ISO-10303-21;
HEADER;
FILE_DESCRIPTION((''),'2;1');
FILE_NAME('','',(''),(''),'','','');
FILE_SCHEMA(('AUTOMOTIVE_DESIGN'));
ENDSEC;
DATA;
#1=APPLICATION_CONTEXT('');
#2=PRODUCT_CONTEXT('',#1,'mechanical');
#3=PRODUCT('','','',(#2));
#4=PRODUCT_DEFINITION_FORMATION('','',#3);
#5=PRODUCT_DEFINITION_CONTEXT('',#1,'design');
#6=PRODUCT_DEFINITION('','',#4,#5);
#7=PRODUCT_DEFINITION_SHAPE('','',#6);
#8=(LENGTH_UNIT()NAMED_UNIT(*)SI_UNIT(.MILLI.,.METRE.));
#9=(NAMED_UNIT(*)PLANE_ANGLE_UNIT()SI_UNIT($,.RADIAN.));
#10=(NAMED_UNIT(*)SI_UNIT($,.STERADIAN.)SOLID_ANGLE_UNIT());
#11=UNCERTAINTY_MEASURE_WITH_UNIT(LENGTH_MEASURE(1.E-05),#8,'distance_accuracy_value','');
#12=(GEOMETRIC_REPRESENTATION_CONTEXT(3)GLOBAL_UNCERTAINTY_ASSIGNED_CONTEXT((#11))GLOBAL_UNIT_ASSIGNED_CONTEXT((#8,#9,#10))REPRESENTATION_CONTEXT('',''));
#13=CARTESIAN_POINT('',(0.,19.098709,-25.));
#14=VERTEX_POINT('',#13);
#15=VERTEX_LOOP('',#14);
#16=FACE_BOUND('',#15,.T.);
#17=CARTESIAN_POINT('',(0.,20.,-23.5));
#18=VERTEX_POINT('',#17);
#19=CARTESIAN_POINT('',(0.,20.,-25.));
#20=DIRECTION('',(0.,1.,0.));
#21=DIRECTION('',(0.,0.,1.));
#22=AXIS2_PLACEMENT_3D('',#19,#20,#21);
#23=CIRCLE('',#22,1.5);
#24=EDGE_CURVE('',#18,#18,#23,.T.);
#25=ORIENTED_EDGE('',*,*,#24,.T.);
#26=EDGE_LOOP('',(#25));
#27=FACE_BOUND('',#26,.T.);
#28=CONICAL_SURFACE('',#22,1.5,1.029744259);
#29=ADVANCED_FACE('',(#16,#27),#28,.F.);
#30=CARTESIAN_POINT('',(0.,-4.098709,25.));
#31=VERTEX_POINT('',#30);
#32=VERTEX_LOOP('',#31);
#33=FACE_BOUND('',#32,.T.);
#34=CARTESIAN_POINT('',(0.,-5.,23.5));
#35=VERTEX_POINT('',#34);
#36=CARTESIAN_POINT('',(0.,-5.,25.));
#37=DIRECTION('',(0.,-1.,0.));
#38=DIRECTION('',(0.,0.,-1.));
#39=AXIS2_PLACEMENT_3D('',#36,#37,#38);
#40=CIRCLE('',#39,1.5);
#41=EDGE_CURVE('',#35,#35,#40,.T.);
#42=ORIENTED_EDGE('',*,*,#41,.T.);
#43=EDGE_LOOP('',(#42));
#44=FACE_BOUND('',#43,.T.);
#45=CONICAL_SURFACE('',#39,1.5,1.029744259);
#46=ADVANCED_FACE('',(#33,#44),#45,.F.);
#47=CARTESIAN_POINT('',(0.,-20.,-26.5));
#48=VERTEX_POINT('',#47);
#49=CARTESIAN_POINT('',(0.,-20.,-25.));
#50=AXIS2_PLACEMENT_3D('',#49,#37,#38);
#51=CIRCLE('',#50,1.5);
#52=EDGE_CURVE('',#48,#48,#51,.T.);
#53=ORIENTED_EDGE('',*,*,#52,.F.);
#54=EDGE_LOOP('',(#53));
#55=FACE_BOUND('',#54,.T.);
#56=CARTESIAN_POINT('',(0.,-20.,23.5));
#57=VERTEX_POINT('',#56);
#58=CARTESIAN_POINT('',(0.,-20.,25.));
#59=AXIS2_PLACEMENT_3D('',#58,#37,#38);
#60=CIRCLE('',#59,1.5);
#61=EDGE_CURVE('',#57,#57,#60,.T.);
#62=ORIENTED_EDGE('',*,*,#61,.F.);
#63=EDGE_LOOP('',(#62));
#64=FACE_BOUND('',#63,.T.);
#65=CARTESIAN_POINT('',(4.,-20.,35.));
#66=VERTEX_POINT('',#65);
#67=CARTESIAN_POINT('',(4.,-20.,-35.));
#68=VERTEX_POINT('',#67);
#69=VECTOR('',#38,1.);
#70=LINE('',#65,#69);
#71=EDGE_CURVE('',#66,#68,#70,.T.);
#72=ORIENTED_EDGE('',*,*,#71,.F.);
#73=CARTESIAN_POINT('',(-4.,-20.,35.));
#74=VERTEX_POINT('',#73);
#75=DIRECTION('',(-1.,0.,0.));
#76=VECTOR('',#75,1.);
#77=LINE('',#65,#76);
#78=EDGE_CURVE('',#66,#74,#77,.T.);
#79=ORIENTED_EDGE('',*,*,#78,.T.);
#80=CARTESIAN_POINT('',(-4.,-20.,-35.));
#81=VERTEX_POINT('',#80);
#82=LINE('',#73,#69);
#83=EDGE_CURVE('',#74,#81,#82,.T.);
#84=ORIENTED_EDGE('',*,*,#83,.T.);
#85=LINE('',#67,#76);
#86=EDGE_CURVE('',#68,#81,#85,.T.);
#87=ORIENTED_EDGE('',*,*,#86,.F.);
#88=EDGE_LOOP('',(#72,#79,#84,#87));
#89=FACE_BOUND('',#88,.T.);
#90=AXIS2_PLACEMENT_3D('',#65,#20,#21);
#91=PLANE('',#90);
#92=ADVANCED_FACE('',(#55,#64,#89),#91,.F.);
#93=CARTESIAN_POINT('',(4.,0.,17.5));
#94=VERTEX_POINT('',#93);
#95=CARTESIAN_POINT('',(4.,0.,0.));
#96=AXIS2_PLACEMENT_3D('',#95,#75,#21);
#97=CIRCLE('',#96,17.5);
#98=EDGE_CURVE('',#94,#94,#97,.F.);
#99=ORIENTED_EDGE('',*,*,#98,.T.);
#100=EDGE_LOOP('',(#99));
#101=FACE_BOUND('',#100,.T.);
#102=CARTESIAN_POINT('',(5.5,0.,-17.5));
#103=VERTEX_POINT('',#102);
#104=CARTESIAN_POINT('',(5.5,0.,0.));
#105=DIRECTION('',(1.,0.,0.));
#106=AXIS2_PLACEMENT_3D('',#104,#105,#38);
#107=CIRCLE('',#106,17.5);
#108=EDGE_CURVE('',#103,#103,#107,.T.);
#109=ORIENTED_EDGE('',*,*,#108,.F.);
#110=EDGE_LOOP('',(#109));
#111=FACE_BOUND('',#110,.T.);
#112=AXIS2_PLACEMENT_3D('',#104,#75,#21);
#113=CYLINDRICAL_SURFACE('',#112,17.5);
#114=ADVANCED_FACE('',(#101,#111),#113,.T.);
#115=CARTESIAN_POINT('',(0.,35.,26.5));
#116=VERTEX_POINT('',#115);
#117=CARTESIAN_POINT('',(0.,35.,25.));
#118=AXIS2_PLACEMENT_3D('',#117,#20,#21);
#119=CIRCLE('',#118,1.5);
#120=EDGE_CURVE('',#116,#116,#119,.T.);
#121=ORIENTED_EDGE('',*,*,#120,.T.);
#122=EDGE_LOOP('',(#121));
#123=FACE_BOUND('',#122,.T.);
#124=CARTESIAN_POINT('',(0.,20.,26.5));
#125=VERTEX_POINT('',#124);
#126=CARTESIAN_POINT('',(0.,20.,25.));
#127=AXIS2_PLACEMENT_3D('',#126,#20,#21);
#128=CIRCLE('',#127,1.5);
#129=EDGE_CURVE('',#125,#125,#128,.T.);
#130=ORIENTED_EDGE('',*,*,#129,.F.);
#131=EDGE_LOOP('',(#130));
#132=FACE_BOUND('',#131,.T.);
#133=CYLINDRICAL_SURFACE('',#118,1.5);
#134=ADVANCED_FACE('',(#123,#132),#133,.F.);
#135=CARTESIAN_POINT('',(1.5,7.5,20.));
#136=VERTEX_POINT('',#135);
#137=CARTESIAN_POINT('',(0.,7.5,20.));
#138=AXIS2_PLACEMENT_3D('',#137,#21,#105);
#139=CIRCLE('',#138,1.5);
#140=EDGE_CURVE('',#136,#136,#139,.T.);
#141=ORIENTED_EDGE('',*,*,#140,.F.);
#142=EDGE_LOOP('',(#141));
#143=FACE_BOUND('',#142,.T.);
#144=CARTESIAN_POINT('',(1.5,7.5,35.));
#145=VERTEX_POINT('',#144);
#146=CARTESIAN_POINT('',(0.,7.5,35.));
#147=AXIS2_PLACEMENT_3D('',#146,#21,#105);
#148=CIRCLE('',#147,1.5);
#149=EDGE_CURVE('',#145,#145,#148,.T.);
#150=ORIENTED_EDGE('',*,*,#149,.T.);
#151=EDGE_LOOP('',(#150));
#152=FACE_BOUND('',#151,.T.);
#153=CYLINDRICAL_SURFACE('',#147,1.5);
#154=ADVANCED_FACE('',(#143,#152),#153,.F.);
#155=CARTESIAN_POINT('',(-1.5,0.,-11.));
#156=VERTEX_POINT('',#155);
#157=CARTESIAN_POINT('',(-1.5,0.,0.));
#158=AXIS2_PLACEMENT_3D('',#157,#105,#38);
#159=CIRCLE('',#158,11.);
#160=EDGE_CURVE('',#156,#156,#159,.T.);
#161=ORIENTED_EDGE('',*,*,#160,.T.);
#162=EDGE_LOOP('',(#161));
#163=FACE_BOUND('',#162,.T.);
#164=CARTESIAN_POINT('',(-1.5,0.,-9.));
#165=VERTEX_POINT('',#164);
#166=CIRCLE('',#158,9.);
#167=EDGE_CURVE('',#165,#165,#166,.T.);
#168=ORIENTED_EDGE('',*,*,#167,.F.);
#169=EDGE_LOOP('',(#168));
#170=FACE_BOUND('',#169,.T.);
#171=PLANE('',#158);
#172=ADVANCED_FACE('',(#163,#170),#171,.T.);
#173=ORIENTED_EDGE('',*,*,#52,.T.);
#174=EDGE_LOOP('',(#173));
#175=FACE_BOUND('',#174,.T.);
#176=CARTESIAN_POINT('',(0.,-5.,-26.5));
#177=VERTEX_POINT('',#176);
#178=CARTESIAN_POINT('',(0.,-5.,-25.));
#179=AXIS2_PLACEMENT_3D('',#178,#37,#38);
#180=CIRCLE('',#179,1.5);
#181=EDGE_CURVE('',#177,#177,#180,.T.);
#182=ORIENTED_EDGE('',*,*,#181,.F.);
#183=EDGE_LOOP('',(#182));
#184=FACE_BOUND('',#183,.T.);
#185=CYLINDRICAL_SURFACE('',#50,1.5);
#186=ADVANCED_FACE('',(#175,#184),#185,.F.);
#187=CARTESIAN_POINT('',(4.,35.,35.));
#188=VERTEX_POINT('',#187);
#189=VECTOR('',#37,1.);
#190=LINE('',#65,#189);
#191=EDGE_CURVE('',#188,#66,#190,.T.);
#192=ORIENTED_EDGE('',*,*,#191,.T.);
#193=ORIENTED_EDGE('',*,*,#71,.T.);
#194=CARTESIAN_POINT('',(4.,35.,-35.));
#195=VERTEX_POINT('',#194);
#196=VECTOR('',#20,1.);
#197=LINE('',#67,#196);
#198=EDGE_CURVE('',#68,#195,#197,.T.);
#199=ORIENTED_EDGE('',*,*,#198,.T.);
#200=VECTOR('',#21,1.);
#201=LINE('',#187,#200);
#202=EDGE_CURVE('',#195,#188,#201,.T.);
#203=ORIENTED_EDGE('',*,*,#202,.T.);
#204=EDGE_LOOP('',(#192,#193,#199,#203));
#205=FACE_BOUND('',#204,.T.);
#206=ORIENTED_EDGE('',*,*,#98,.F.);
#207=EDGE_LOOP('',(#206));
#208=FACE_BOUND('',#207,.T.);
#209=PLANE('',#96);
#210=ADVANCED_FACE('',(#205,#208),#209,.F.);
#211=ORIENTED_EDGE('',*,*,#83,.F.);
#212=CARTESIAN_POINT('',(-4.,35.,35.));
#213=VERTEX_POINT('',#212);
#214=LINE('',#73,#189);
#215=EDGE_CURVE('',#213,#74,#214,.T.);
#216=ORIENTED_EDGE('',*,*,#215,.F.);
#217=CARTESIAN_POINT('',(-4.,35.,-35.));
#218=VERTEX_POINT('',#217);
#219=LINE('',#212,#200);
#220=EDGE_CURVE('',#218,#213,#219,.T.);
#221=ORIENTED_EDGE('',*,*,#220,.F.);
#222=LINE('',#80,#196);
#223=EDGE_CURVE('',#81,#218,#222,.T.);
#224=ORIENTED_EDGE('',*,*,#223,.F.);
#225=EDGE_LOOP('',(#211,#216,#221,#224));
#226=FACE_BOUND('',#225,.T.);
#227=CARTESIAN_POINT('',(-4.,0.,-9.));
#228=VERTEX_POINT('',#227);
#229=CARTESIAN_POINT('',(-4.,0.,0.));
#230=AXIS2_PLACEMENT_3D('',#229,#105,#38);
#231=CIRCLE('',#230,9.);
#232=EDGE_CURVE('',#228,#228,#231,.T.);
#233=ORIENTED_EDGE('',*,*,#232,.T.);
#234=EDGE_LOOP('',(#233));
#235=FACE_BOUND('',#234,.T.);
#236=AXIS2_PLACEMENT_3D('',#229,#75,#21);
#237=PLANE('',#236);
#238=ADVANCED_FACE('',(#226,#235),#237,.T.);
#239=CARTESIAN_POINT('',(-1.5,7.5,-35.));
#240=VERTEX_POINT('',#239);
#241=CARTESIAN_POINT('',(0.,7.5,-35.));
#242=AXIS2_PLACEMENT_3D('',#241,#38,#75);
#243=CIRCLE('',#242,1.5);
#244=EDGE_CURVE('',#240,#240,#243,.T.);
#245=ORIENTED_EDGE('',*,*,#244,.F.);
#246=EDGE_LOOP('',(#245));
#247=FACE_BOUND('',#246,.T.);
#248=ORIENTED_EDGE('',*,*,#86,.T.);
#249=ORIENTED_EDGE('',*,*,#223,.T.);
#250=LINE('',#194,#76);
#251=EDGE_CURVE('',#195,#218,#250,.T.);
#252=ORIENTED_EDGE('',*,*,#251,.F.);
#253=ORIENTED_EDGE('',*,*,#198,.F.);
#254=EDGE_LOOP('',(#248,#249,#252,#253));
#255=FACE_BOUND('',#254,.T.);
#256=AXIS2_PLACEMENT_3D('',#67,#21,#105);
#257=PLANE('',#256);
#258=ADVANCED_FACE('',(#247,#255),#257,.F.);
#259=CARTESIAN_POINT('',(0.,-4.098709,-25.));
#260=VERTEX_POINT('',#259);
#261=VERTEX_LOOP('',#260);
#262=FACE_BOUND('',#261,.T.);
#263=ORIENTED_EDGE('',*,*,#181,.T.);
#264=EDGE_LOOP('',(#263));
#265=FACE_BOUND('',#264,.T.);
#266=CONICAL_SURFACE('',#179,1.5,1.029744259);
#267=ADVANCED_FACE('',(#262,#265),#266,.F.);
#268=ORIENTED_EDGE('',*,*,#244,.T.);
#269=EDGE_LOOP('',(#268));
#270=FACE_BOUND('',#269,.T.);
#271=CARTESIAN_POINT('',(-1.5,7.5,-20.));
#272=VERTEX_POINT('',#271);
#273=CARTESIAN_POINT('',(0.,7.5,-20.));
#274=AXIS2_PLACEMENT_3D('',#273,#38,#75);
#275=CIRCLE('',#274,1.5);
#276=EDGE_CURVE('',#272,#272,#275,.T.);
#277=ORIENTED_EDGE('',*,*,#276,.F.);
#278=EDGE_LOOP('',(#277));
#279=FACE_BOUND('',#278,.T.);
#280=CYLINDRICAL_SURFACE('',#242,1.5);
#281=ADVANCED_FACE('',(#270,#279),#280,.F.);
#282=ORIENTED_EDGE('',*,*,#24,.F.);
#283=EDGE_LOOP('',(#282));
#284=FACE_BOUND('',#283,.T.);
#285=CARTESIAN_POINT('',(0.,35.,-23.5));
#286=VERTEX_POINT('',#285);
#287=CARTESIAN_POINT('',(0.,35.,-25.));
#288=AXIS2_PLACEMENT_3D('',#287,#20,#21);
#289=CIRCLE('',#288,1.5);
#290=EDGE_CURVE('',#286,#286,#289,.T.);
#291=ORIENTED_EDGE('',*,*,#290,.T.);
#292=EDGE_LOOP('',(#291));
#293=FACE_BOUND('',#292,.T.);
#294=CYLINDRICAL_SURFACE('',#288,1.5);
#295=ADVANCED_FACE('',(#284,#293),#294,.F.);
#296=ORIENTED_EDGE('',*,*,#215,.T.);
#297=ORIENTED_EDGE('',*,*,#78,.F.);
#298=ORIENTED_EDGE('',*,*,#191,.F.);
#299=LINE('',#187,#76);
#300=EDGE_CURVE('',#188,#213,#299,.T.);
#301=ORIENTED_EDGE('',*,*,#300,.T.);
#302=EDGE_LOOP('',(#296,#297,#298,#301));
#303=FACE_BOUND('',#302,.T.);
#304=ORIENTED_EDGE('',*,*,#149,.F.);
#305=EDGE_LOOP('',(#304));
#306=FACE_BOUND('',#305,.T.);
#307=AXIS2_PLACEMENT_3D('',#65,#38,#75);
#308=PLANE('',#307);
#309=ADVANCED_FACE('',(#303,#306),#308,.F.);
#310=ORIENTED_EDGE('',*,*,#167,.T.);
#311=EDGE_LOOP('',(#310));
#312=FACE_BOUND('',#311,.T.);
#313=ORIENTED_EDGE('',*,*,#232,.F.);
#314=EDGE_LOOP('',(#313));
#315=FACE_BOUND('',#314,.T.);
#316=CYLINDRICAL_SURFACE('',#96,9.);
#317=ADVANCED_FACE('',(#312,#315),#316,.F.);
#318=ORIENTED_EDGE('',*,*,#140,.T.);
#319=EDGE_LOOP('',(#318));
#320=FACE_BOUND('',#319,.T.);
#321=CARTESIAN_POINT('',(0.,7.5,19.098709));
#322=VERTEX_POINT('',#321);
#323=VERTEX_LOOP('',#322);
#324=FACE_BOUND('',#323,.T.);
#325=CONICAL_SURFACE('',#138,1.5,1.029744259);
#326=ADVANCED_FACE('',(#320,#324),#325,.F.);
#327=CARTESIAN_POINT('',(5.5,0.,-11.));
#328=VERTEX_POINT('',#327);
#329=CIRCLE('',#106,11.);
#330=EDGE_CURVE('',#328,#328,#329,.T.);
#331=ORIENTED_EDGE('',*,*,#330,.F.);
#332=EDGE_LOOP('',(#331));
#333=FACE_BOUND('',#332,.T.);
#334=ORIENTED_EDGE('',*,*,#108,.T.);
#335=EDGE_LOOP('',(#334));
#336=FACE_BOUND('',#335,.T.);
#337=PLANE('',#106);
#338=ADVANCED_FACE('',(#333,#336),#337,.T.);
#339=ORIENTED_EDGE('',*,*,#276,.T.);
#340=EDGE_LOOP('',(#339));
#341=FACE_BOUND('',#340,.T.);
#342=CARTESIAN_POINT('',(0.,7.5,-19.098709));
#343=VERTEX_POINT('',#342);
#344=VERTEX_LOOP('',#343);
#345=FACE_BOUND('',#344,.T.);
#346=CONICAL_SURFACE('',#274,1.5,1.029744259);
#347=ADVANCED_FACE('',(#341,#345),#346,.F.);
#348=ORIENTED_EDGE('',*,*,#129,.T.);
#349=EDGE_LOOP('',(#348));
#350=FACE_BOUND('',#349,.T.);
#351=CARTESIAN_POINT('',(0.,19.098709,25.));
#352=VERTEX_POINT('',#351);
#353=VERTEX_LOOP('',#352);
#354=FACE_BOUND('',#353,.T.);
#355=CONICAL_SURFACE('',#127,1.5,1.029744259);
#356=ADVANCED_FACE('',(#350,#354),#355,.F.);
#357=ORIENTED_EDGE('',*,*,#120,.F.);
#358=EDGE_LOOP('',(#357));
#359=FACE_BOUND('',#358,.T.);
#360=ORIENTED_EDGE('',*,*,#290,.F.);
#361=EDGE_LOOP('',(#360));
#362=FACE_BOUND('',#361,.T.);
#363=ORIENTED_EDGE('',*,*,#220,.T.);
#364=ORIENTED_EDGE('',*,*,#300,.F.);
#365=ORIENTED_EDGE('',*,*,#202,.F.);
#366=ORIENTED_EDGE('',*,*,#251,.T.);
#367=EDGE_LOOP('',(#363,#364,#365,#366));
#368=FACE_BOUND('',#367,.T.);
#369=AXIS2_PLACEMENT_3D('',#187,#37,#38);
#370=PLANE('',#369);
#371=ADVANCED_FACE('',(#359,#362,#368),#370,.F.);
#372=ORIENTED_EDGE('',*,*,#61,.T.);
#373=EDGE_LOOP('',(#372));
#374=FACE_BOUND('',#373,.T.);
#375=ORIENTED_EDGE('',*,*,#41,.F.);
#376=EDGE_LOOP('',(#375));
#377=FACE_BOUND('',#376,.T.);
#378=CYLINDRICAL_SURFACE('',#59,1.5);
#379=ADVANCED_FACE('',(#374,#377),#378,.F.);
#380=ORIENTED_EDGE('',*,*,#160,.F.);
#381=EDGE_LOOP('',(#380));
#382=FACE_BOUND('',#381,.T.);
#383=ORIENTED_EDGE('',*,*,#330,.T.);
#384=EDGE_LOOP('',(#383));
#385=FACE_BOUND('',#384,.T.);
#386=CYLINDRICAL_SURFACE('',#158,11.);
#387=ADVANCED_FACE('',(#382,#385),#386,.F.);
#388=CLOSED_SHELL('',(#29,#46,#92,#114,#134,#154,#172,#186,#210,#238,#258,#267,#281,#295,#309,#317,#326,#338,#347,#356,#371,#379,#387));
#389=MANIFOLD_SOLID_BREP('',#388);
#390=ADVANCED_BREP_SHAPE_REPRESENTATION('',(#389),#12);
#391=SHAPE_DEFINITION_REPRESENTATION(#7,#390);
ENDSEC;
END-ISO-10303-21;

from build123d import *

# Parameters (mm, degrees)
ESQUISSE1_W               = 70
ESQUISSE1_H               = 55
ESQUISSE1_R               = 9
BOSS_EXTRU_1_DEPTH        = 4
ESQUISSE2_R               = 11
ENL_V_MAT_EXTRU_1_DEPTH   = 5.5
TROU_TARAUD_M4X0_71_D     = 3
TROU_TARAUD_M4X0_71_DEPTH = 15
TROU_TARAUD_M4X0_71_TIP   = 0.901290929
TROU_TARAUD_M4X0_72_D     = 3
TROU_TARAUD_M4X0_72_DEPTH = 15
TROU_TARAUD_M4X0_72_TIP   = 0.901290929
TROU_TARAUD_M4X0_73_D     = 3
TROU_TARAUD_M4X0_73_DEPTH = 15
TROU_TARAUD_M4X0_73_TIP   = 0.901290929
TROU_TARAUD_M4X0_74_D     = 3
TROU_TARAUD_M4X0_74_DEPTH = 15
TROU_TARAUD_M4X0_74_TIP   = 0.901290929
BOSS_EXTRU_2_START        = 7
ESQUISSE11_R              = 17.5
ESQUISSE11_R_2            = 11
BOSS_EXTRU_2_DEPTH        = 7


with BuildPart() as part:
    # Esquisse1 → Boss.-Extru.1 (new, symmetric)
    with BuildSketch(Plane(origin=(0, 0, 0), x_dir=(0, 0, -1), z_dir=(1, 0, 0))):
        with Locations((0, 7.5)):
            Rectangle(ESQUISSE1_W, ESQUISSE1_H)
        Circle(ESQUISSE1_R, mode=Mode.SUBTRACT)
    extrude(amount=BOSS_EXTRU_1_DEPTH, both=True)

    # Esquisse2 → Enlèv. mat.-Extru.1 (cut)
    with BuildSketch(Plane(origin=(4, 0, 0), x_dir=(0, 0, -1), z_dir=(1, 0, 0))):
        Circle(ESQUISSE2_R)
    extrude(amount=-ENL_V_MAT_EXTRU_1_DEPTH, mode=Mode.SUBTRACT)

    # Trou taraudé M4x0.71
    with Locations(Plane(origin=(0, -20, 0), x_dir=(-1, 0, 0), z_dir=(0, -1, 0))):
        with Locations((0, -25), (0, 25)):
            Hole(TROU_TARAUD_M4X0_71_D / 2, depth=TROU_TARAUD_M4X0_71_DEPTH)
            with Locations((0, 0, -(TROU_TARAUD_M4X0_71_DEPTH + TROU_TARAUD_M4X0_71_TIP / 2))):  # 118° drill point
                Cone(0, TROU_TARAUD_M4X0_71_D / 2, TROU_TARAUD_M4X0_71_TIP, mode=Mode.SUBTRACT)

    # Trou taraudé M4x0.72
    with Locations(Plane(origin=(0, 35, 0), x_dir=(1, 0, 0), z_dir=(0, 1, 0))):
        with Locations((0, -25), (0, 25)):
            Hole(TROU_TARAUD_M4X0_72_D / 2, depth=TROU_TARAUD_M4X0_72_DEPTH)
            with Locations((0, 0, -(TROU_TARAUD_M4X0_72_DEPTH + TROU_TARAUD_M4X0_72_TIP / 2))):  # 118° drill point
                Cone(0, TROU_TARAUD_M4X0_72_D / 2, TROU_TARAUD_M4X0_72_TIP, mode=Mode.SUBTRACT)

    # Trou taraudé M4x0.73
    with Locations(Plane.XY.offset(35)):
        with Locations((0, 7.5)):
            Hole(TROU_TARAUD_M4X0_73_D / 2, depth=TROU_TARAUD_M4X0_73_DEPTH)
            with Locations((0, 0, -(TROU_TARAUD_M4X0_73_DEPTH + TROU_TARAUD_M4X0_73_TIP / 2))):  # 118° drill point
                Cone(0, TROU_TARAUD_M4X0_73_D / 2, TROU_TARAUD_M4X0_73_TIP, mode=Mode.SUBTRACT)

    # Trou taraudé M4x0.74
    with Locations(Plane(origin=(0, 0, -35), x_dir=(-1, 0, 0), z_dir=(0, 0, -1))):
        with Locations((0, 7.5)):
            Hole(TROU_TARAUD_M4X0_74_D / 2, depth=TROU_TARAUD_M4X0_74_DEPTH)
            with Locations((0, 0, -(TROU_TARAUD_M4X0_74_DEPTH + TROU_TARAUD_M4X0_74_TIP / 2))):  # 118° drill point
                Cone(0, TROU_TARAUD_M4X0_74_D / 2, TROU_TARAUD_M4X0_74_TIP, mode=Mode.SUBTRACT)

    # Esquisse11 → Boss.-Extru.2 (add)
    with BuildSketch(Plane(origin=(-1.5, 0, 0), x_dir=(0, 0, -1), z_dir=(1, 0, 0)).offset(BOSS_EXTRU_2_START)):
        with Locations(Location((0, 0, 0), (0, 0, 180))):
            Circle(ESQUISSE11_R)
        Circle(ESQUISSE11_R_2, mode=Mode.SUBTRACT)
    extrude(amount=-BOSS_EXTRU_2_DEPTH)


solid = part.part
